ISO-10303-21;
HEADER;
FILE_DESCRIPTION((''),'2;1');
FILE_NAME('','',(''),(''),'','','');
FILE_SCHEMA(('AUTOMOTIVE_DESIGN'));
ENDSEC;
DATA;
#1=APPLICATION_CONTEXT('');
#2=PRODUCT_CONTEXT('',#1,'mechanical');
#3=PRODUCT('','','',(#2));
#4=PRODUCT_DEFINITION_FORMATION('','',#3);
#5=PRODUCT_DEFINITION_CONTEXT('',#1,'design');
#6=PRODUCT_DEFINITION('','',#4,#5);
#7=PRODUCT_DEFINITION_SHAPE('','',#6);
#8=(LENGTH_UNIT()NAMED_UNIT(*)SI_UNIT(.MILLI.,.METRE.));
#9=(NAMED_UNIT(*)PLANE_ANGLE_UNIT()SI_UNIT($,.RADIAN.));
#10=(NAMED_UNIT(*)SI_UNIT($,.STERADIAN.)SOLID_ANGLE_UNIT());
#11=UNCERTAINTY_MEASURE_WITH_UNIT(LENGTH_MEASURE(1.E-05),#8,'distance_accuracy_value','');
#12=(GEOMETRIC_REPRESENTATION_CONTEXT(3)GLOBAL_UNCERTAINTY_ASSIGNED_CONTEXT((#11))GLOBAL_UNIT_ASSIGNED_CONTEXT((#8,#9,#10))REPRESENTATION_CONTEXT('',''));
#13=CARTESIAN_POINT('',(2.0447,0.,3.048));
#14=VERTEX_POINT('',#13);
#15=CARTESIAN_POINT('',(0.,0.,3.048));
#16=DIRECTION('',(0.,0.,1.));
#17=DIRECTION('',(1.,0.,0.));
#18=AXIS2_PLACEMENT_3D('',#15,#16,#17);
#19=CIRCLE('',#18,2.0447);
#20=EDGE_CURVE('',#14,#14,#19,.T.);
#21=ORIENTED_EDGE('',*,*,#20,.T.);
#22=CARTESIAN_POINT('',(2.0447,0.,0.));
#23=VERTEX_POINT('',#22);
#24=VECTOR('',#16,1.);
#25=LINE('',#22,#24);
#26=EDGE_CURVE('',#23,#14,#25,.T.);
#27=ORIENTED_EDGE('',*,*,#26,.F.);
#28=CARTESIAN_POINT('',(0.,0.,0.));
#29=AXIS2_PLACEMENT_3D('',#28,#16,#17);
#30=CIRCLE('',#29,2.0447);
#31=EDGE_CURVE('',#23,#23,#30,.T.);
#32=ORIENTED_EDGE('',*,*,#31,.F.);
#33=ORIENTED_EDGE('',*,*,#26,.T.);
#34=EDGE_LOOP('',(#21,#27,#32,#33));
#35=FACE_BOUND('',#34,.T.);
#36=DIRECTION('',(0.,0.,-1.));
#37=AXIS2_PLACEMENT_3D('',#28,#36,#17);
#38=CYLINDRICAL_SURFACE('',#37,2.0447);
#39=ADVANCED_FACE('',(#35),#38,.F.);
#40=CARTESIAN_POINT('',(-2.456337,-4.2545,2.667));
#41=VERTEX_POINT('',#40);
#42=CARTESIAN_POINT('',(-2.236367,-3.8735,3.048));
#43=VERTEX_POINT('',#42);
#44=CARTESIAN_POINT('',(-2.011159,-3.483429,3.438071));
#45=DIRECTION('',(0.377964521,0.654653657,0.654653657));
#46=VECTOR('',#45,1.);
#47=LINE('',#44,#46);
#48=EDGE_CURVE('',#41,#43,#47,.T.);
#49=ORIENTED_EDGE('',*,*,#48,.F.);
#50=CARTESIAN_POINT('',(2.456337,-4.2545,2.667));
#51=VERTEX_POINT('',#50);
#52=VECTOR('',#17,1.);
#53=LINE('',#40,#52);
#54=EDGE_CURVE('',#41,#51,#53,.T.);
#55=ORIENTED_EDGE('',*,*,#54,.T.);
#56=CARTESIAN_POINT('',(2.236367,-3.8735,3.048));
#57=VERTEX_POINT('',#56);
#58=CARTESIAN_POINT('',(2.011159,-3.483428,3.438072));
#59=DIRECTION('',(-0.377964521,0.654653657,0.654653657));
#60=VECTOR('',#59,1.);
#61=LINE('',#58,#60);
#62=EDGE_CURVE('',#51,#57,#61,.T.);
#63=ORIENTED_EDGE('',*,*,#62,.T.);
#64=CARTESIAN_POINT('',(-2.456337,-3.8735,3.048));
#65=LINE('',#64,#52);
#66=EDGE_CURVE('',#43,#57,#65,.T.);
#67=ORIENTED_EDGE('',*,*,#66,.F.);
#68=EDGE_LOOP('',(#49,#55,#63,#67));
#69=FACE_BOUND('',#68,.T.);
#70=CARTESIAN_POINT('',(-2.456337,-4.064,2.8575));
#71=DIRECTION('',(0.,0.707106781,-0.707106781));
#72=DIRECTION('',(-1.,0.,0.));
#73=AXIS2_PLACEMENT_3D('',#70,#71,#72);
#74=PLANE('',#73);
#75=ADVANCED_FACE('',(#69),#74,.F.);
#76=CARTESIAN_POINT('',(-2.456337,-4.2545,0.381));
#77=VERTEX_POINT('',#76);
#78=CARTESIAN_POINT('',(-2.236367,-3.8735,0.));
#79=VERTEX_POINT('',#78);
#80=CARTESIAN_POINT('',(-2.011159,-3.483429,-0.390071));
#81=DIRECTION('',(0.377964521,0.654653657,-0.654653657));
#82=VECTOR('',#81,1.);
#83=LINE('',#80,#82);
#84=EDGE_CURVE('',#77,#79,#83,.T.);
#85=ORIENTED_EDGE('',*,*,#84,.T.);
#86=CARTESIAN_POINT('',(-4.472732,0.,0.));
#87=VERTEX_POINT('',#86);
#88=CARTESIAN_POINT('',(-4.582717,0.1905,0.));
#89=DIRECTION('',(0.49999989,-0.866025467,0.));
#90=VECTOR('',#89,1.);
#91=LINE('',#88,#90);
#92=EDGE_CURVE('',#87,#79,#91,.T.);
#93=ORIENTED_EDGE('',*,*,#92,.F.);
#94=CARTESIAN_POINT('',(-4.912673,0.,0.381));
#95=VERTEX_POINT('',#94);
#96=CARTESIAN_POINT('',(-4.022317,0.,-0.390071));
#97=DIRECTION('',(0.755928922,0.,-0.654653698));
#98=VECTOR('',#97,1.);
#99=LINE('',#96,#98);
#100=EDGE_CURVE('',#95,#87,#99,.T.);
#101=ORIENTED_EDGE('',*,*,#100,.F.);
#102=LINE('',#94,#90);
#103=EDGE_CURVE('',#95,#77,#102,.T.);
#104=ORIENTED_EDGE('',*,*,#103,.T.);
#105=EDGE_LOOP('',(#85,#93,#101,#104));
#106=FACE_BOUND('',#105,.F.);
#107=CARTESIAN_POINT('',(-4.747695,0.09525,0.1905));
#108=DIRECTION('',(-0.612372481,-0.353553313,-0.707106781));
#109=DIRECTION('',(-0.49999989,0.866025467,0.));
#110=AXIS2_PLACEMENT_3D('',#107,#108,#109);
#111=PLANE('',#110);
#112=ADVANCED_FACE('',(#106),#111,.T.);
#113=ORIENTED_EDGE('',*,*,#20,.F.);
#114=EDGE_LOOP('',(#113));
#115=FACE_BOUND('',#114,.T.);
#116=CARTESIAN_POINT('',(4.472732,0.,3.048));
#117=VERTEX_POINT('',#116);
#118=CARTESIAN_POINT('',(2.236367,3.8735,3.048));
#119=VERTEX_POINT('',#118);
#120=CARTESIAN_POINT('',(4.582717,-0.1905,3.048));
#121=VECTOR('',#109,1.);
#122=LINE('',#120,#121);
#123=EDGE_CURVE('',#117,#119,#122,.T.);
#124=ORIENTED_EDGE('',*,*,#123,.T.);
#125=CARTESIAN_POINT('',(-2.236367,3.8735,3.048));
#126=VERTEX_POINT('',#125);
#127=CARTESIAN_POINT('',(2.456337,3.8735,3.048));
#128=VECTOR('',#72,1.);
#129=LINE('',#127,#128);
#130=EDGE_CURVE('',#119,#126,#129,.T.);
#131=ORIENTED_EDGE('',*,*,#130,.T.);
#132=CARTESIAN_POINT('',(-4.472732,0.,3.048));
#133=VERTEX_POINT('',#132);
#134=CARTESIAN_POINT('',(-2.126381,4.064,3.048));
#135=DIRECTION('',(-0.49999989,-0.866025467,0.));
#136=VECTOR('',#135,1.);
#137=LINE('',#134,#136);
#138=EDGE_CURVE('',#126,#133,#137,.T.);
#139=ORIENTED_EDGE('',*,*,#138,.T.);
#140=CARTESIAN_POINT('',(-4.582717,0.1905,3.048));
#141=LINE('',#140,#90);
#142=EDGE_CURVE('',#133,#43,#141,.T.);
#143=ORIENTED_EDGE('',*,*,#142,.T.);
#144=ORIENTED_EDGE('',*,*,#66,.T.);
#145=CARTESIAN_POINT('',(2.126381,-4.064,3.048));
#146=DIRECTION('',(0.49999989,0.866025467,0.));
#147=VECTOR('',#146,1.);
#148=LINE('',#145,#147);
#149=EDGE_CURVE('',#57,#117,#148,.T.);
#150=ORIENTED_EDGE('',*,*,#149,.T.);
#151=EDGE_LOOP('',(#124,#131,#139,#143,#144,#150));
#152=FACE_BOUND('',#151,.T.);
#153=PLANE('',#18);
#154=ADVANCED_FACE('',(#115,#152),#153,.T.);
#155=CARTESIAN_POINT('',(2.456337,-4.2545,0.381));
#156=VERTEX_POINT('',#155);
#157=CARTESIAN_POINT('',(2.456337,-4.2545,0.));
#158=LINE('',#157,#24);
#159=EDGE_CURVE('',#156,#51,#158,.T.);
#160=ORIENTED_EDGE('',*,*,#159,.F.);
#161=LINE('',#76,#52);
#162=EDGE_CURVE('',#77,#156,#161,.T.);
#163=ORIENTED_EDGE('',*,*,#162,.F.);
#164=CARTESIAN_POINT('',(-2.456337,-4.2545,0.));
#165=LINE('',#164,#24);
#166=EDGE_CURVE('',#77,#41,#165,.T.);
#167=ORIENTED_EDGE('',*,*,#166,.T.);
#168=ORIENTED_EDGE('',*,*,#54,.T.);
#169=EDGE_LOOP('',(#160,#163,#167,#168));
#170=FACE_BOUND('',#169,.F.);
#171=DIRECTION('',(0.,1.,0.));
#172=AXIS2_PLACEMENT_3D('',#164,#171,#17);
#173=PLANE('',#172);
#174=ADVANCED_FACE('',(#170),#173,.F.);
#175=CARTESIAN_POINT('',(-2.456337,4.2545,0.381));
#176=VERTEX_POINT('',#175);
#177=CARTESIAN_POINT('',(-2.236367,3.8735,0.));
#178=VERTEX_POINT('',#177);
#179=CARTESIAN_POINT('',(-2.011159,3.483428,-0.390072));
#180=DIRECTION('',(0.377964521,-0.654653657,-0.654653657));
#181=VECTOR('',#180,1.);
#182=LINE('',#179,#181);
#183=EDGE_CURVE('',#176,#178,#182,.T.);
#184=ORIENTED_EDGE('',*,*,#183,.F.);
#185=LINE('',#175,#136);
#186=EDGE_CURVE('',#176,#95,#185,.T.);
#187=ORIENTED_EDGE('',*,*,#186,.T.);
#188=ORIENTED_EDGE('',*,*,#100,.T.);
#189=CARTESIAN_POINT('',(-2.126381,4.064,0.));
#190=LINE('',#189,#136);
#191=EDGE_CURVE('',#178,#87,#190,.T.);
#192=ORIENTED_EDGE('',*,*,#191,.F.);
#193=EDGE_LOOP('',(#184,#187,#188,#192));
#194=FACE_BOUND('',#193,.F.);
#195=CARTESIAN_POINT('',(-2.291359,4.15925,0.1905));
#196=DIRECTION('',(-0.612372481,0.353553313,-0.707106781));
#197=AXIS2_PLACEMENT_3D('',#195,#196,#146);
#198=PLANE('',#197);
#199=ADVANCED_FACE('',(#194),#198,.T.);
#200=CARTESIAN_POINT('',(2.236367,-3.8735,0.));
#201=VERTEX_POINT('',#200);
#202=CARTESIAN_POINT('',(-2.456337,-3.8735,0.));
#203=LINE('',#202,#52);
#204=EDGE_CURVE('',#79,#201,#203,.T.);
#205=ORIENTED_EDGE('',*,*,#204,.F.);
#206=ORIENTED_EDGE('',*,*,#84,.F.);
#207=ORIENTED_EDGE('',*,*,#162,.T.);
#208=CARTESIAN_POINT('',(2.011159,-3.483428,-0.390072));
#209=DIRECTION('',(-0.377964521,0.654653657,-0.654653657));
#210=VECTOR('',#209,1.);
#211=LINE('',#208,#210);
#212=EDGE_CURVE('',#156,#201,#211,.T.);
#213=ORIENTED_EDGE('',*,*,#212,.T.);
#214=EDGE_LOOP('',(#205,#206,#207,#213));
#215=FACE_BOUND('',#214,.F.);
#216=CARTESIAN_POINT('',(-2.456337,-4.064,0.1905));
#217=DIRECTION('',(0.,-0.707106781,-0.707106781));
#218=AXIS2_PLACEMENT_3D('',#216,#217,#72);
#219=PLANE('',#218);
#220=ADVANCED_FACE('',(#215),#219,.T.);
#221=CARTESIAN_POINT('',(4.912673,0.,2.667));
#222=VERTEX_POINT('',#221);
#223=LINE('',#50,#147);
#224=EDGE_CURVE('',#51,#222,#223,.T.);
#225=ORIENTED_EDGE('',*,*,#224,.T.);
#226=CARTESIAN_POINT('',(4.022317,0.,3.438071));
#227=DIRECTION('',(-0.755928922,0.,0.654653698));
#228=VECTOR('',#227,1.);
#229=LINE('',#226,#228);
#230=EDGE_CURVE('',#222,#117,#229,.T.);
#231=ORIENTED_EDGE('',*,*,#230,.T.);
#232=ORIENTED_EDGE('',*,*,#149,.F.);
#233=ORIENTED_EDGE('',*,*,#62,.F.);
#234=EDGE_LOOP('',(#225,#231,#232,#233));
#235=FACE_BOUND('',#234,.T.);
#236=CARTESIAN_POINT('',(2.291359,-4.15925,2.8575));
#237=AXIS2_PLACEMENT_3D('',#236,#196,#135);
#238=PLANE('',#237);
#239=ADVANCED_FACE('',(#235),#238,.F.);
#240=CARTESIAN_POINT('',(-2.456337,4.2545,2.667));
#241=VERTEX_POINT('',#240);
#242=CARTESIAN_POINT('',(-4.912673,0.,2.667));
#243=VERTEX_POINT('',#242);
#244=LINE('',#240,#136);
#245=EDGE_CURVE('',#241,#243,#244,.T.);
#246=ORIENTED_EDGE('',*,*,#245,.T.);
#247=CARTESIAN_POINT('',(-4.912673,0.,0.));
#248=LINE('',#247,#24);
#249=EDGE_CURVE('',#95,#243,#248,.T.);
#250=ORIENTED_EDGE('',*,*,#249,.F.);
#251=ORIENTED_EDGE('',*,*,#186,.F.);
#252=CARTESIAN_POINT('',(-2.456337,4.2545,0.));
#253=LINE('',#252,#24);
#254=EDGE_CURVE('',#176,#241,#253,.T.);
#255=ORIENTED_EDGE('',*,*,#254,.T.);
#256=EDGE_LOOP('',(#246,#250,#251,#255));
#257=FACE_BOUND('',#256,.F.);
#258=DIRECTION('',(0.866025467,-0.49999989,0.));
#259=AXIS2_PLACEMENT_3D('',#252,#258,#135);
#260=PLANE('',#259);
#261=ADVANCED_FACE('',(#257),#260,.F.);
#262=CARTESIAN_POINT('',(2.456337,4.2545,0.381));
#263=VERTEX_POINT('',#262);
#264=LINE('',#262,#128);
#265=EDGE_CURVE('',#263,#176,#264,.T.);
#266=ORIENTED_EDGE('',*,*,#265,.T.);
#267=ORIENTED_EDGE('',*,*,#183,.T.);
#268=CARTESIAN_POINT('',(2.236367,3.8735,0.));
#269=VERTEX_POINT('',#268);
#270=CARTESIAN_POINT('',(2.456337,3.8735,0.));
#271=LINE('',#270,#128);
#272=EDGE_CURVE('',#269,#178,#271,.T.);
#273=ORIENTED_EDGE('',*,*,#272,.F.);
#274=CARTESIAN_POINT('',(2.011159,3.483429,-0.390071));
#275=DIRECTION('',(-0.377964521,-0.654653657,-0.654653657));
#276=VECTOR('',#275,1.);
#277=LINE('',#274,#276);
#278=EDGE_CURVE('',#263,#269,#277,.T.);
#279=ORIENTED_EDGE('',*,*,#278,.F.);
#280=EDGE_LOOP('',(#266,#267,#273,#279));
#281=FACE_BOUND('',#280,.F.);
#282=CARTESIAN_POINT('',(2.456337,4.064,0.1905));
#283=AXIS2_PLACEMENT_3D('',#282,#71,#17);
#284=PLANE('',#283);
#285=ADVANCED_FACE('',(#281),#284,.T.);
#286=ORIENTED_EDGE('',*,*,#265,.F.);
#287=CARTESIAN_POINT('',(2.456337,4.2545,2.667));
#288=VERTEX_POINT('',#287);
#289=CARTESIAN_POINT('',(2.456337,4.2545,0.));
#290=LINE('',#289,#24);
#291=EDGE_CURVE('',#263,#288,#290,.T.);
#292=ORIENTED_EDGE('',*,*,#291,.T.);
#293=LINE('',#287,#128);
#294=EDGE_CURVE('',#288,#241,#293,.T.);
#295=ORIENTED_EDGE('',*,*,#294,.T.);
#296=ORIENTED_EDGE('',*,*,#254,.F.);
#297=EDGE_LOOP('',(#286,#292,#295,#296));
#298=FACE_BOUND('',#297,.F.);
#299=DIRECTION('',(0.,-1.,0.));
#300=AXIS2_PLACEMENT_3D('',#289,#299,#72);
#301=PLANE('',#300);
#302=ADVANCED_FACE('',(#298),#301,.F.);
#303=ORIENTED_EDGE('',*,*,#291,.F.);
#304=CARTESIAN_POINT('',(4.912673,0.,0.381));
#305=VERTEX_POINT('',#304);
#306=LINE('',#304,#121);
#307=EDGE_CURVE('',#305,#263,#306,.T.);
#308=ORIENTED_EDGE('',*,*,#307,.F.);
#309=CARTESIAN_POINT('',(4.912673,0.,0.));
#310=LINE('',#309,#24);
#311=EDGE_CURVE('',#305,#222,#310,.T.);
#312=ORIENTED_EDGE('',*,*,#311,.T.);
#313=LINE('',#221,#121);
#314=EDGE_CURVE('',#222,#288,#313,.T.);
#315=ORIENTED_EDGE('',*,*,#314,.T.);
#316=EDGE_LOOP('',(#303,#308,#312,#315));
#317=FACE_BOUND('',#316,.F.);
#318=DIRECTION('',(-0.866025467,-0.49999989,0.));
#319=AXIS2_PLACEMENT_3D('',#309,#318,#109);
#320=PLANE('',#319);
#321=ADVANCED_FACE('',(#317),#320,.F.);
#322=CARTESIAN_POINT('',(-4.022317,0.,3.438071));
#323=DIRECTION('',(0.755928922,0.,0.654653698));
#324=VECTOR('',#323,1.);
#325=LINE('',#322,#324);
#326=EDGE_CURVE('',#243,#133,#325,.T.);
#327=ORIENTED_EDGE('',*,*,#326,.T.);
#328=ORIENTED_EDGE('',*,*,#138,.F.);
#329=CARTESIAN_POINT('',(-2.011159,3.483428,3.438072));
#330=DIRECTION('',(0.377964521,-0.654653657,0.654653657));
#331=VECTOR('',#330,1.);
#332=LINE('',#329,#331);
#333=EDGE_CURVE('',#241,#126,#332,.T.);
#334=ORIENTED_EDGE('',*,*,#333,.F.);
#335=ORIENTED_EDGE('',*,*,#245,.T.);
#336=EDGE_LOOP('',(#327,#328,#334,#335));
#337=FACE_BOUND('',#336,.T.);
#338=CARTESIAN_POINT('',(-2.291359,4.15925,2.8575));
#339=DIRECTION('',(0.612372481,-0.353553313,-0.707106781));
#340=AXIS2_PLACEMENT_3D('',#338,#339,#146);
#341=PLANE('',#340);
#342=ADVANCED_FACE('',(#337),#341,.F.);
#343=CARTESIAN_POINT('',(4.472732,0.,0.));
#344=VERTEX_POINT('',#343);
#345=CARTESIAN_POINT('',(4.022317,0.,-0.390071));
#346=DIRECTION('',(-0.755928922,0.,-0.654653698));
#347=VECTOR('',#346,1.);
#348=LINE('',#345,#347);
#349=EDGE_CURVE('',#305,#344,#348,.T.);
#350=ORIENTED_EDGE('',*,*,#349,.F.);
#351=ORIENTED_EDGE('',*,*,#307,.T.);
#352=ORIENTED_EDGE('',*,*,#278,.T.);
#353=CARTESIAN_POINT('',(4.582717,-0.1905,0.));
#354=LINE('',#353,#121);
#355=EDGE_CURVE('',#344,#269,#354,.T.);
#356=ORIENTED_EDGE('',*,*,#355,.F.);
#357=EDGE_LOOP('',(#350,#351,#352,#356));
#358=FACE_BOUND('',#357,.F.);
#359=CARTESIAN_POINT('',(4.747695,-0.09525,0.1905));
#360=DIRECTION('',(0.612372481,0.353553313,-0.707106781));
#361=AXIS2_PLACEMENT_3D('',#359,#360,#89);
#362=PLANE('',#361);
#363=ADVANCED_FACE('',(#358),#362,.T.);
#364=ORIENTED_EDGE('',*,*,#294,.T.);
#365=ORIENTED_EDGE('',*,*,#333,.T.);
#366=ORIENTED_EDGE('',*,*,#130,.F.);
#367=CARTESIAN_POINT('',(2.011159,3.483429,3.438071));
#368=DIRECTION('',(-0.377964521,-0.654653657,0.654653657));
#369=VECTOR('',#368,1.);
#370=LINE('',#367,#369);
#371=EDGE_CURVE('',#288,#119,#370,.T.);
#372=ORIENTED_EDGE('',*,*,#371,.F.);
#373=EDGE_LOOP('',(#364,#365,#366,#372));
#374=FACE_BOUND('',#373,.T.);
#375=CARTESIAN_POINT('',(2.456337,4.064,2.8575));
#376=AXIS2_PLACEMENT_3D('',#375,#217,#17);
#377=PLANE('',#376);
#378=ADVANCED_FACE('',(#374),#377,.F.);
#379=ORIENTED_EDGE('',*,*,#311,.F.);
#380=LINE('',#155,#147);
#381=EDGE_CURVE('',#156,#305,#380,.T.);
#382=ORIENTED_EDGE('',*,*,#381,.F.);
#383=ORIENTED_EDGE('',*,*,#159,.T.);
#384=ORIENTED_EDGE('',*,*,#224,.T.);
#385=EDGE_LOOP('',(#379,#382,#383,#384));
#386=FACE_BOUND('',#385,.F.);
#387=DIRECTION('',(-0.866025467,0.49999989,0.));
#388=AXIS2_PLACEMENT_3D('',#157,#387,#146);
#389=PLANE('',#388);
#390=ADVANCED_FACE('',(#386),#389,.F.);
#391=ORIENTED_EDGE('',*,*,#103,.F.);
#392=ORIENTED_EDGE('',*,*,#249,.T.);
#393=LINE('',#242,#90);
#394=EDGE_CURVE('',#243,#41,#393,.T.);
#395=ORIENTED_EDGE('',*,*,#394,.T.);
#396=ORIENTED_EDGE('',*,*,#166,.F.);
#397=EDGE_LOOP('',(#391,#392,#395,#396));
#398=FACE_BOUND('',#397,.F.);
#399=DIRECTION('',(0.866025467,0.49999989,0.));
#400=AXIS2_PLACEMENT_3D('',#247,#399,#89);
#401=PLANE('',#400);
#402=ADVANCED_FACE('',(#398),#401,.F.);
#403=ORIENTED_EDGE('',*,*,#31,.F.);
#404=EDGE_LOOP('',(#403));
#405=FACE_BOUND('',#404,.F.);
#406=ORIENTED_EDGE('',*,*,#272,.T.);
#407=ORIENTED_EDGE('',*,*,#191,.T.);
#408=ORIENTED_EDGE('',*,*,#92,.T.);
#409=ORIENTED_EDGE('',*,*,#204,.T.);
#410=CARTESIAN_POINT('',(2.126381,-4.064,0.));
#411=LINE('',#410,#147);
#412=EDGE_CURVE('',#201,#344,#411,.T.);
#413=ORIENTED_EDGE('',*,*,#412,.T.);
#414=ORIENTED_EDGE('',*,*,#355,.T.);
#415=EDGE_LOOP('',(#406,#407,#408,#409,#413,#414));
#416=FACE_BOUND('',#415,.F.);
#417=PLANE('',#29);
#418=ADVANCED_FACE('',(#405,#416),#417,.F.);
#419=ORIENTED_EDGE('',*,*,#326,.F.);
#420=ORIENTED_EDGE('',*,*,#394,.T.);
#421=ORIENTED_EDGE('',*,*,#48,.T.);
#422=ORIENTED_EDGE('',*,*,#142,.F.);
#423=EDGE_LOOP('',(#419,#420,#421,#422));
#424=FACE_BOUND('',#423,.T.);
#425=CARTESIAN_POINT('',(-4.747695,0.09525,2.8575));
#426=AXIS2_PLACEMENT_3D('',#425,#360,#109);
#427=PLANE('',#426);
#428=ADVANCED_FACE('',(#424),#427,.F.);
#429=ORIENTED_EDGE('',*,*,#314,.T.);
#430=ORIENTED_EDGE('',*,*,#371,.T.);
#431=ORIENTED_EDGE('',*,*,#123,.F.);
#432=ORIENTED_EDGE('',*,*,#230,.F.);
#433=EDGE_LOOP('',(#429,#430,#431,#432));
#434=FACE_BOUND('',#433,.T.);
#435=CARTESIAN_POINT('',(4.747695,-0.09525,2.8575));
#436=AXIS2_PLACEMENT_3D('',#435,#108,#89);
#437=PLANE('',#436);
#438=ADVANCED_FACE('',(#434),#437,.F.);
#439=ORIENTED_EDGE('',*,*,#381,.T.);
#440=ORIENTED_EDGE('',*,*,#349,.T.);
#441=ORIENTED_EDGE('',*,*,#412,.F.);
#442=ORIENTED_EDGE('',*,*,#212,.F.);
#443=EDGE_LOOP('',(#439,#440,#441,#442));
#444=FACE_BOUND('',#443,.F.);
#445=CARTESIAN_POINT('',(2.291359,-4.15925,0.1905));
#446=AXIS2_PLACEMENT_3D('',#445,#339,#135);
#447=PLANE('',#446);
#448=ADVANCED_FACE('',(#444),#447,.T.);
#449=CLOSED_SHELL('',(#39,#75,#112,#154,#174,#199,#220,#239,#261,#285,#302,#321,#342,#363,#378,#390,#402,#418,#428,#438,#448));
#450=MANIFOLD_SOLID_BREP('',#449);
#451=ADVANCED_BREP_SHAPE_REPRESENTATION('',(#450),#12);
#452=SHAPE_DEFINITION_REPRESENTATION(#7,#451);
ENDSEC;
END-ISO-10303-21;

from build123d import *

# Parameters (mm, degrees)
F0_R     = 2.0447
F1_DEPTH = 3.048
F2_SIZE  = 0.381


with BuildPart() as f1:
    # F0 (on Top) → F1 (new body)
    with BuildSketch(Plane.XY):
        Polygon((-2.456337, -4.2545), (2.456337, -4.2545), (4.912673, 0), (2.456337, 4.2545), (-2.456337, 4.2545), (-4.912673, 0), align=None)
        Circle(F0_R, mode=Mode.SUBTRACT)
    extrude(amount=F1_DEPTH)

    # F2
    f2_edges = [f1.edges().sort_by_distance(p)[0] for p in [
        (3.684505, -2.12725, 3.048),
        (0, -4.2545, 3.048),
        (-3.684505, -2.12725, 3.048),
        (-3.684505, 2.12725, 3.048),
        (0, 4.2545, 3.048),
        (3.684505, 2.12725, 3.048),
        (0, -4.2545, 0),
        (-3.684505, -2.12725, 0),
        (3.684505, -2.12725, 0),
        (3.684505, 2.12725, 0),
        (0, 4.2545, 0),
        (-3.684505, 2.12725, 0),
    ]]
    chamfer(f2_edges, length=F2_SIZE)


solid = f1.part
